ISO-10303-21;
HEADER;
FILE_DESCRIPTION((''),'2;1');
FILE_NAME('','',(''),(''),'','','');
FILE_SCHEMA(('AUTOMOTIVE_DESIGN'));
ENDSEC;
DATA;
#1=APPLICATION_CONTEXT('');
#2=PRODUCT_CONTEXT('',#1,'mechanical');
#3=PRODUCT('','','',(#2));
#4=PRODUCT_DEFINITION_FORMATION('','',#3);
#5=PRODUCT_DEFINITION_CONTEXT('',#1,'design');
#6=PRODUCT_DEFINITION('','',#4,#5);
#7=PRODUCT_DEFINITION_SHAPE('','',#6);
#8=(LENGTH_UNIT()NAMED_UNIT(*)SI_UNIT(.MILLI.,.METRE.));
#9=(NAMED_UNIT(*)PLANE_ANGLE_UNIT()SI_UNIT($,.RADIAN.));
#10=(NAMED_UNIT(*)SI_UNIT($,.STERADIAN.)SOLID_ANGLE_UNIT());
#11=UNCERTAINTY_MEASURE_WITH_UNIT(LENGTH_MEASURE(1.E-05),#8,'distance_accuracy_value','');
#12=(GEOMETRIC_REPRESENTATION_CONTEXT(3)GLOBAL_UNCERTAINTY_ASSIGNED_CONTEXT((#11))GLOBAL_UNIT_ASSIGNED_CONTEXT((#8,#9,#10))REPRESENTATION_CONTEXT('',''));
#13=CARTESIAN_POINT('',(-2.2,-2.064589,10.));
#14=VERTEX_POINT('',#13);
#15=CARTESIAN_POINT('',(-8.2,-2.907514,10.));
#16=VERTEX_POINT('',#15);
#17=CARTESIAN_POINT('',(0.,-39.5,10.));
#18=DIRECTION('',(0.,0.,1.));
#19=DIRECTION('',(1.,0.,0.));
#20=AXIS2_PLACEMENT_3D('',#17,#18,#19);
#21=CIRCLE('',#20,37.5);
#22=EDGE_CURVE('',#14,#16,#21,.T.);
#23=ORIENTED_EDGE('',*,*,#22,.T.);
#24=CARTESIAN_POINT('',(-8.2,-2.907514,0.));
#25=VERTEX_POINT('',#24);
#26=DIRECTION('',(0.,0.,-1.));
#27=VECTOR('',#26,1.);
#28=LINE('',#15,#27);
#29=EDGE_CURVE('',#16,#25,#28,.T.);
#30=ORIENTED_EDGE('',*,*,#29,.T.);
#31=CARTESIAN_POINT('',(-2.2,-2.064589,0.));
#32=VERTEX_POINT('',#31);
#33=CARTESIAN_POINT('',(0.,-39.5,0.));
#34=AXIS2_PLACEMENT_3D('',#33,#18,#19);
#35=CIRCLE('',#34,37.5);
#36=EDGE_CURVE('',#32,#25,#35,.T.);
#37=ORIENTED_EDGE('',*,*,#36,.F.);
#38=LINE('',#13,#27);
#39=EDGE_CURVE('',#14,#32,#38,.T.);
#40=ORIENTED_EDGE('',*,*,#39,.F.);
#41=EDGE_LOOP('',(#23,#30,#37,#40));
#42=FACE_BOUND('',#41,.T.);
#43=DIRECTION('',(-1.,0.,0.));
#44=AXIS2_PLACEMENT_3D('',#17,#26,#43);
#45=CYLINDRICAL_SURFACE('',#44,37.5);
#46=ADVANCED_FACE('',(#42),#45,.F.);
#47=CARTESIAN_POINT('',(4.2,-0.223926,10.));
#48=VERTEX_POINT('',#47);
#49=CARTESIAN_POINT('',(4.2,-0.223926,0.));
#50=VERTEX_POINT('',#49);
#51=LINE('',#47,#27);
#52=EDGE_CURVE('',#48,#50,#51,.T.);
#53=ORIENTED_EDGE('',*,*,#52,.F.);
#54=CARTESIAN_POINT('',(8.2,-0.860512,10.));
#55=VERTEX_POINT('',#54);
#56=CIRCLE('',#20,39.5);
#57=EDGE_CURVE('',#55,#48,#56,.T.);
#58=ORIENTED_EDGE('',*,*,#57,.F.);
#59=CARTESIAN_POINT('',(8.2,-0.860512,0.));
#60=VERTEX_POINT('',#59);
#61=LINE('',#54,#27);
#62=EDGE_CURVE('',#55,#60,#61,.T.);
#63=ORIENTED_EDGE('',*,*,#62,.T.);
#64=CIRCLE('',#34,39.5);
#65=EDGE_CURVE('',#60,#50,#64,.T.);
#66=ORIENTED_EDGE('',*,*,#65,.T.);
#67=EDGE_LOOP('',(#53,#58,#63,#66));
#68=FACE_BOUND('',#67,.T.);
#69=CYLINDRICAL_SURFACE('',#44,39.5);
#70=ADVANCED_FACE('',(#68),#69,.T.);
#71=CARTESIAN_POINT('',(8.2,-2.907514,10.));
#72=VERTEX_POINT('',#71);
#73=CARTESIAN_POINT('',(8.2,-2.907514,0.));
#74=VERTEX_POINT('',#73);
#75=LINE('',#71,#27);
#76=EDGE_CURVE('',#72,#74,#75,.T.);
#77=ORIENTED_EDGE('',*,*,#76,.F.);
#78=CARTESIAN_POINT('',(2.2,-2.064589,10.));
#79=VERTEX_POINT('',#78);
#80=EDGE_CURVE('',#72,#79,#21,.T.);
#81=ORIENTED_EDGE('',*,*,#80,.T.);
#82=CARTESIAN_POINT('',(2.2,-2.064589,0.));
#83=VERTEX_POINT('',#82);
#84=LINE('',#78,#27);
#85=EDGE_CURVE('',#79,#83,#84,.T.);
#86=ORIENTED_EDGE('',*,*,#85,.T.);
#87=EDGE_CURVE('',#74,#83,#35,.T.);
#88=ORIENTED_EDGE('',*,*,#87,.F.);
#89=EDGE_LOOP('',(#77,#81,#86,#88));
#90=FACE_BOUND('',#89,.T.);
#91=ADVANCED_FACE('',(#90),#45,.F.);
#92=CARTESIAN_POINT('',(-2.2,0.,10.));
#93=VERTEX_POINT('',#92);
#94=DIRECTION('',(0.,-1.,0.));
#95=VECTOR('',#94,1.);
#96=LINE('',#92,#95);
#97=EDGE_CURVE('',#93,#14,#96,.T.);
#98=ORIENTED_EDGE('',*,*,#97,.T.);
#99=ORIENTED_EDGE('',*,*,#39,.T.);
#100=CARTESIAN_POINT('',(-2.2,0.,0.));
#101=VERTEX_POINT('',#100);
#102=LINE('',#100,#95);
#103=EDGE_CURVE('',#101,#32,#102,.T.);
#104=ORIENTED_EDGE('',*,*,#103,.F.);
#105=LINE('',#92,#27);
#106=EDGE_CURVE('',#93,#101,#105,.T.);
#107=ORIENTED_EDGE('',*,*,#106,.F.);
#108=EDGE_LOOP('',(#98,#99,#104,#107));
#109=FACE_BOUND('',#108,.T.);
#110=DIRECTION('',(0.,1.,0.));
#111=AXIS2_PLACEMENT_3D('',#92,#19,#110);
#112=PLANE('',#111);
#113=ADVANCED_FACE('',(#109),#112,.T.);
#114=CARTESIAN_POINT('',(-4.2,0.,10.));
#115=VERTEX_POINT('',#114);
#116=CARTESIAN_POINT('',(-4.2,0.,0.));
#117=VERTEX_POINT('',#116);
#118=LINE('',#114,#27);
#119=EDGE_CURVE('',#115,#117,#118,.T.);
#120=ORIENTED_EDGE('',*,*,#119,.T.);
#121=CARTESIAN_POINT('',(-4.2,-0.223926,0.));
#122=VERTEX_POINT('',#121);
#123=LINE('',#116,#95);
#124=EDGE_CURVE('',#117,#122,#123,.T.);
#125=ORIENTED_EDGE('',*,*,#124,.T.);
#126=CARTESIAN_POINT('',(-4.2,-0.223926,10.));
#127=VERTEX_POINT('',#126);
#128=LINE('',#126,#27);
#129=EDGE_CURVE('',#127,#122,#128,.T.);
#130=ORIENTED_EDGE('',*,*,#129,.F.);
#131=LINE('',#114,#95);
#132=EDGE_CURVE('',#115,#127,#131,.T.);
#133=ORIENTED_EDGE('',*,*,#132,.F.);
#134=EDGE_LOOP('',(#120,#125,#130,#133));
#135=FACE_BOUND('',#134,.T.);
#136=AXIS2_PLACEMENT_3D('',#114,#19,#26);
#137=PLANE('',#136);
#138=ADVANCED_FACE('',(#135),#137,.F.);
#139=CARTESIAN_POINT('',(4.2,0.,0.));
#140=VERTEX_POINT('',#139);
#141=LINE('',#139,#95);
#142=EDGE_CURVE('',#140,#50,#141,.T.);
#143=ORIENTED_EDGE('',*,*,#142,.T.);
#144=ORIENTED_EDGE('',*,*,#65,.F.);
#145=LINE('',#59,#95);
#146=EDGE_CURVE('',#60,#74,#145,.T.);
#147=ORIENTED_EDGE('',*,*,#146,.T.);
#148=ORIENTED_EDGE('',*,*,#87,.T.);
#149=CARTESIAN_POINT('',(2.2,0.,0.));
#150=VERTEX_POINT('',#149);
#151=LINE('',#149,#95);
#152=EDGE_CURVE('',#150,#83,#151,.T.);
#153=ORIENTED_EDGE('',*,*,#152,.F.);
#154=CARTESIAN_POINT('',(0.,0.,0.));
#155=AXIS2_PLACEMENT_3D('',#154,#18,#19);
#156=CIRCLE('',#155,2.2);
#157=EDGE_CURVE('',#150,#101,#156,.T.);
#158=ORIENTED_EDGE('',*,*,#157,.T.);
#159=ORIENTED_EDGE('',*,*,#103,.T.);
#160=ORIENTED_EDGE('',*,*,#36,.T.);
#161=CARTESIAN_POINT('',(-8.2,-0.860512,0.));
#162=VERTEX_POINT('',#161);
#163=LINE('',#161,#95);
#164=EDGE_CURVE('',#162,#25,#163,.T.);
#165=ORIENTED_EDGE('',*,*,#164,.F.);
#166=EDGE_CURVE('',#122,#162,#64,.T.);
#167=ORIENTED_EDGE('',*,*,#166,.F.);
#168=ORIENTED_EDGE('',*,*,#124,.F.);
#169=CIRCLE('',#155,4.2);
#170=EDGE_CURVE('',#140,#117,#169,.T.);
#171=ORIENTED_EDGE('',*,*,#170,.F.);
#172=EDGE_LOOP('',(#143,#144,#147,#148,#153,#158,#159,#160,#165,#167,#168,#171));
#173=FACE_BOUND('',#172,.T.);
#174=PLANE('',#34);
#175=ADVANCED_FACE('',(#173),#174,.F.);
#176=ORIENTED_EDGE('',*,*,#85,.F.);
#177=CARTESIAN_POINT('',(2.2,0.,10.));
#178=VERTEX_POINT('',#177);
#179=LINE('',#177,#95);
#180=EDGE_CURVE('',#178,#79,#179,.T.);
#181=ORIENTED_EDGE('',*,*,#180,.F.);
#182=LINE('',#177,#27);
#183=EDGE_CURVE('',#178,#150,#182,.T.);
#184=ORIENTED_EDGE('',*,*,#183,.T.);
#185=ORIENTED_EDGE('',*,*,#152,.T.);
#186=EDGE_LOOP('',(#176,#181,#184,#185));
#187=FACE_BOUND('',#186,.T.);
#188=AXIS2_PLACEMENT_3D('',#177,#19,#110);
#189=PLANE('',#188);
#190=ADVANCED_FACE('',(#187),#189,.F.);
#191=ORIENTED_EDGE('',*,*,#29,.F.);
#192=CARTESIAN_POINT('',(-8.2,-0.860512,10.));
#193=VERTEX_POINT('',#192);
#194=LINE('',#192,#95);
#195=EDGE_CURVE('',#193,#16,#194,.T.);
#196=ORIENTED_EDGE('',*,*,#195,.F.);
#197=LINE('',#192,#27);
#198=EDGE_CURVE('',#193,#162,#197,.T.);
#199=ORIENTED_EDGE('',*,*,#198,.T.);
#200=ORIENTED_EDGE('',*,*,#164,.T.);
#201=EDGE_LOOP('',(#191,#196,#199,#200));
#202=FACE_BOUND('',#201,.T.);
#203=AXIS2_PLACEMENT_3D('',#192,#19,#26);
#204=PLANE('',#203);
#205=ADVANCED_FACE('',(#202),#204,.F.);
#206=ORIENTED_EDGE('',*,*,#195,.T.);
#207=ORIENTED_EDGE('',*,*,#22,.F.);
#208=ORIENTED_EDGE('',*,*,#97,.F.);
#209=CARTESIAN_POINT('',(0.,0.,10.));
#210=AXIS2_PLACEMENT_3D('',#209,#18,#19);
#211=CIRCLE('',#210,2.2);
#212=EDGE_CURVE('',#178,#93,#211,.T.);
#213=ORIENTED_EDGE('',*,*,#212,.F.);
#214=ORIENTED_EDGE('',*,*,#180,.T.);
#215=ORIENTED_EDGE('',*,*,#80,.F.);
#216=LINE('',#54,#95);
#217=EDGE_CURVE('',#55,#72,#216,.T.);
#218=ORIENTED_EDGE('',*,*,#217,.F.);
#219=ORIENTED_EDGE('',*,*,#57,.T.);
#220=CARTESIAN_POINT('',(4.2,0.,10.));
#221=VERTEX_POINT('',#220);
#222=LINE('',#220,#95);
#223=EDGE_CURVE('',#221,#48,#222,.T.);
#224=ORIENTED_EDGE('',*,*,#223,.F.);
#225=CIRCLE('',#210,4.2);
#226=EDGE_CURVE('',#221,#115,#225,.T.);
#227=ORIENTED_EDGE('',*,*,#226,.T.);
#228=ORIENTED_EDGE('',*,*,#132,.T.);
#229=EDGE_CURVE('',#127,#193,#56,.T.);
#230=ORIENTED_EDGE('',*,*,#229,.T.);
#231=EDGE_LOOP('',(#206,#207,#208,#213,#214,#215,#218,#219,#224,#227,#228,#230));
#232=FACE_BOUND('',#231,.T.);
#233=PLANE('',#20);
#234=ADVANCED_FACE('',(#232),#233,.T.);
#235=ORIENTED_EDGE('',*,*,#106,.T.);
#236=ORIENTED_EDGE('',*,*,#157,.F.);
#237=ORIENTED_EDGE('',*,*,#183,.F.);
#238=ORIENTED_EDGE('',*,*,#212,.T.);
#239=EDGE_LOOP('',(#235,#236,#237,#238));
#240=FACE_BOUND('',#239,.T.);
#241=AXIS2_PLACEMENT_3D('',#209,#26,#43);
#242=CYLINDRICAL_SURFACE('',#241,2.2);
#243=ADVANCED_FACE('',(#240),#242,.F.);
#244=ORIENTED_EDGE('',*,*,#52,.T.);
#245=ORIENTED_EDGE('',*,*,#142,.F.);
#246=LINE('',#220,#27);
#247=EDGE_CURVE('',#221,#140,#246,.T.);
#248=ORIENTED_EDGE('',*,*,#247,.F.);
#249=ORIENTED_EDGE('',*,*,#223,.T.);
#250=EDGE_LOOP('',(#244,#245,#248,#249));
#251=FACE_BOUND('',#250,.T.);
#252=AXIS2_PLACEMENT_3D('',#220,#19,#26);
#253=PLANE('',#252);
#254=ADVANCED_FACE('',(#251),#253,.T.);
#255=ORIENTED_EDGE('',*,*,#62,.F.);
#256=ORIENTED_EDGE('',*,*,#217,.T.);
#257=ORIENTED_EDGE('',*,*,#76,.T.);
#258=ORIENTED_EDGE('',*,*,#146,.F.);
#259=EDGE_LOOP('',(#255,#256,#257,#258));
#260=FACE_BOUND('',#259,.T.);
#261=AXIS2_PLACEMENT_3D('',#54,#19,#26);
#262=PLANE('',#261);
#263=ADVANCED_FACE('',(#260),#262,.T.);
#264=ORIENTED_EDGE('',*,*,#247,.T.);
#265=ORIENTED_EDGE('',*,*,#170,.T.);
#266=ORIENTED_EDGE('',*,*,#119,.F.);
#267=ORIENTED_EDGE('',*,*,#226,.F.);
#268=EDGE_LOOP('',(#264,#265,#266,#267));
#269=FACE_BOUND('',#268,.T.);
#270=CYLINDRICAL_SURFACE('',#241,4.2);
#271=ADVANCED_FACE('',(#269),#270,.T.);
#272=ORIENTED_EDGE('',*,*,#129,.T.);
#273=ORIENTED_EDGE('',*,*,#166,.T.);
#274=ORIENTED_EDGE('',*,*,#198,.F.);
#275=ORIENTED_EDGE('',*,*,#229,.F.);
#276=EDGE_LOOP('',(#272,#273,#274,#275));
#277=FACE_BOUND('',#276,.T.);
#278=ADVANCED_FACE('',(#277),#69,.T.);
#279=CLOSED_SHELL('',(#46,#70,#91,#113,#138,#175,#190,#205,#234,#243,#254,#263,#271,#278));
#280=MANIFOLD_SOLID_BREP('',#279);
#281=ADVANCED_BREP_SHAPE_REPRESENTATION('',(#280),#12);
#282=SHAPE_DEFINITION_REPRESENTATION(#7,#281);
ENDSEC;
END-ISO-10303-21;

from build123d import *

# Parameters (mm, degrees)
BOSS_EXTRUDE1_DEPTH = 10


with BuildPart() as part:
    # Sketch1 → Boss-Extrude1 (new body)
    with BuildSketch(Plane.XY):
        with BuildLine():
            Line((-4.2, 0), (-4.2, -0.223925858))
            ThreePointArc((-4.2, -0.223925858), (-6.208164835, -0.490915297), (-8.2, -0.860512426))
            Line((-8.2, -0.860512426), (-8.2, -2.907514433))
            ThreePointArc((-8.2, -2.907514433), (-5.21705193, -2.364674915), (-2.2, -2.064588956))
            Line((-2.2, -2.064588956), (-2.2, 0))
            ThreePointArc((-2.2, 0), (0, 2.2), (2.2, 0))
            Line((2.2, 0), (2.2, -2.064588956))
            ThreePointArc((2.2, -2.064588956), (5.21705193, -2.364674915), (8.2, -2.907514433))
            Line((8.2, -2.907514433), (8.2, -0.860512426))
            ThreePointArc((8.2, -0.860512426), (6.208164835, -0.490915297), (4.2, -0.223925858))
            Line((4.2, -0.223925858), (4.2, 0))
            ThreePointArc((4.2, 0), (0, 4.2), (-4.2, 0))
        make_face()
    extrude(amount=BOSS_EXTRUDE1_DEPTH)


solid = part.part
